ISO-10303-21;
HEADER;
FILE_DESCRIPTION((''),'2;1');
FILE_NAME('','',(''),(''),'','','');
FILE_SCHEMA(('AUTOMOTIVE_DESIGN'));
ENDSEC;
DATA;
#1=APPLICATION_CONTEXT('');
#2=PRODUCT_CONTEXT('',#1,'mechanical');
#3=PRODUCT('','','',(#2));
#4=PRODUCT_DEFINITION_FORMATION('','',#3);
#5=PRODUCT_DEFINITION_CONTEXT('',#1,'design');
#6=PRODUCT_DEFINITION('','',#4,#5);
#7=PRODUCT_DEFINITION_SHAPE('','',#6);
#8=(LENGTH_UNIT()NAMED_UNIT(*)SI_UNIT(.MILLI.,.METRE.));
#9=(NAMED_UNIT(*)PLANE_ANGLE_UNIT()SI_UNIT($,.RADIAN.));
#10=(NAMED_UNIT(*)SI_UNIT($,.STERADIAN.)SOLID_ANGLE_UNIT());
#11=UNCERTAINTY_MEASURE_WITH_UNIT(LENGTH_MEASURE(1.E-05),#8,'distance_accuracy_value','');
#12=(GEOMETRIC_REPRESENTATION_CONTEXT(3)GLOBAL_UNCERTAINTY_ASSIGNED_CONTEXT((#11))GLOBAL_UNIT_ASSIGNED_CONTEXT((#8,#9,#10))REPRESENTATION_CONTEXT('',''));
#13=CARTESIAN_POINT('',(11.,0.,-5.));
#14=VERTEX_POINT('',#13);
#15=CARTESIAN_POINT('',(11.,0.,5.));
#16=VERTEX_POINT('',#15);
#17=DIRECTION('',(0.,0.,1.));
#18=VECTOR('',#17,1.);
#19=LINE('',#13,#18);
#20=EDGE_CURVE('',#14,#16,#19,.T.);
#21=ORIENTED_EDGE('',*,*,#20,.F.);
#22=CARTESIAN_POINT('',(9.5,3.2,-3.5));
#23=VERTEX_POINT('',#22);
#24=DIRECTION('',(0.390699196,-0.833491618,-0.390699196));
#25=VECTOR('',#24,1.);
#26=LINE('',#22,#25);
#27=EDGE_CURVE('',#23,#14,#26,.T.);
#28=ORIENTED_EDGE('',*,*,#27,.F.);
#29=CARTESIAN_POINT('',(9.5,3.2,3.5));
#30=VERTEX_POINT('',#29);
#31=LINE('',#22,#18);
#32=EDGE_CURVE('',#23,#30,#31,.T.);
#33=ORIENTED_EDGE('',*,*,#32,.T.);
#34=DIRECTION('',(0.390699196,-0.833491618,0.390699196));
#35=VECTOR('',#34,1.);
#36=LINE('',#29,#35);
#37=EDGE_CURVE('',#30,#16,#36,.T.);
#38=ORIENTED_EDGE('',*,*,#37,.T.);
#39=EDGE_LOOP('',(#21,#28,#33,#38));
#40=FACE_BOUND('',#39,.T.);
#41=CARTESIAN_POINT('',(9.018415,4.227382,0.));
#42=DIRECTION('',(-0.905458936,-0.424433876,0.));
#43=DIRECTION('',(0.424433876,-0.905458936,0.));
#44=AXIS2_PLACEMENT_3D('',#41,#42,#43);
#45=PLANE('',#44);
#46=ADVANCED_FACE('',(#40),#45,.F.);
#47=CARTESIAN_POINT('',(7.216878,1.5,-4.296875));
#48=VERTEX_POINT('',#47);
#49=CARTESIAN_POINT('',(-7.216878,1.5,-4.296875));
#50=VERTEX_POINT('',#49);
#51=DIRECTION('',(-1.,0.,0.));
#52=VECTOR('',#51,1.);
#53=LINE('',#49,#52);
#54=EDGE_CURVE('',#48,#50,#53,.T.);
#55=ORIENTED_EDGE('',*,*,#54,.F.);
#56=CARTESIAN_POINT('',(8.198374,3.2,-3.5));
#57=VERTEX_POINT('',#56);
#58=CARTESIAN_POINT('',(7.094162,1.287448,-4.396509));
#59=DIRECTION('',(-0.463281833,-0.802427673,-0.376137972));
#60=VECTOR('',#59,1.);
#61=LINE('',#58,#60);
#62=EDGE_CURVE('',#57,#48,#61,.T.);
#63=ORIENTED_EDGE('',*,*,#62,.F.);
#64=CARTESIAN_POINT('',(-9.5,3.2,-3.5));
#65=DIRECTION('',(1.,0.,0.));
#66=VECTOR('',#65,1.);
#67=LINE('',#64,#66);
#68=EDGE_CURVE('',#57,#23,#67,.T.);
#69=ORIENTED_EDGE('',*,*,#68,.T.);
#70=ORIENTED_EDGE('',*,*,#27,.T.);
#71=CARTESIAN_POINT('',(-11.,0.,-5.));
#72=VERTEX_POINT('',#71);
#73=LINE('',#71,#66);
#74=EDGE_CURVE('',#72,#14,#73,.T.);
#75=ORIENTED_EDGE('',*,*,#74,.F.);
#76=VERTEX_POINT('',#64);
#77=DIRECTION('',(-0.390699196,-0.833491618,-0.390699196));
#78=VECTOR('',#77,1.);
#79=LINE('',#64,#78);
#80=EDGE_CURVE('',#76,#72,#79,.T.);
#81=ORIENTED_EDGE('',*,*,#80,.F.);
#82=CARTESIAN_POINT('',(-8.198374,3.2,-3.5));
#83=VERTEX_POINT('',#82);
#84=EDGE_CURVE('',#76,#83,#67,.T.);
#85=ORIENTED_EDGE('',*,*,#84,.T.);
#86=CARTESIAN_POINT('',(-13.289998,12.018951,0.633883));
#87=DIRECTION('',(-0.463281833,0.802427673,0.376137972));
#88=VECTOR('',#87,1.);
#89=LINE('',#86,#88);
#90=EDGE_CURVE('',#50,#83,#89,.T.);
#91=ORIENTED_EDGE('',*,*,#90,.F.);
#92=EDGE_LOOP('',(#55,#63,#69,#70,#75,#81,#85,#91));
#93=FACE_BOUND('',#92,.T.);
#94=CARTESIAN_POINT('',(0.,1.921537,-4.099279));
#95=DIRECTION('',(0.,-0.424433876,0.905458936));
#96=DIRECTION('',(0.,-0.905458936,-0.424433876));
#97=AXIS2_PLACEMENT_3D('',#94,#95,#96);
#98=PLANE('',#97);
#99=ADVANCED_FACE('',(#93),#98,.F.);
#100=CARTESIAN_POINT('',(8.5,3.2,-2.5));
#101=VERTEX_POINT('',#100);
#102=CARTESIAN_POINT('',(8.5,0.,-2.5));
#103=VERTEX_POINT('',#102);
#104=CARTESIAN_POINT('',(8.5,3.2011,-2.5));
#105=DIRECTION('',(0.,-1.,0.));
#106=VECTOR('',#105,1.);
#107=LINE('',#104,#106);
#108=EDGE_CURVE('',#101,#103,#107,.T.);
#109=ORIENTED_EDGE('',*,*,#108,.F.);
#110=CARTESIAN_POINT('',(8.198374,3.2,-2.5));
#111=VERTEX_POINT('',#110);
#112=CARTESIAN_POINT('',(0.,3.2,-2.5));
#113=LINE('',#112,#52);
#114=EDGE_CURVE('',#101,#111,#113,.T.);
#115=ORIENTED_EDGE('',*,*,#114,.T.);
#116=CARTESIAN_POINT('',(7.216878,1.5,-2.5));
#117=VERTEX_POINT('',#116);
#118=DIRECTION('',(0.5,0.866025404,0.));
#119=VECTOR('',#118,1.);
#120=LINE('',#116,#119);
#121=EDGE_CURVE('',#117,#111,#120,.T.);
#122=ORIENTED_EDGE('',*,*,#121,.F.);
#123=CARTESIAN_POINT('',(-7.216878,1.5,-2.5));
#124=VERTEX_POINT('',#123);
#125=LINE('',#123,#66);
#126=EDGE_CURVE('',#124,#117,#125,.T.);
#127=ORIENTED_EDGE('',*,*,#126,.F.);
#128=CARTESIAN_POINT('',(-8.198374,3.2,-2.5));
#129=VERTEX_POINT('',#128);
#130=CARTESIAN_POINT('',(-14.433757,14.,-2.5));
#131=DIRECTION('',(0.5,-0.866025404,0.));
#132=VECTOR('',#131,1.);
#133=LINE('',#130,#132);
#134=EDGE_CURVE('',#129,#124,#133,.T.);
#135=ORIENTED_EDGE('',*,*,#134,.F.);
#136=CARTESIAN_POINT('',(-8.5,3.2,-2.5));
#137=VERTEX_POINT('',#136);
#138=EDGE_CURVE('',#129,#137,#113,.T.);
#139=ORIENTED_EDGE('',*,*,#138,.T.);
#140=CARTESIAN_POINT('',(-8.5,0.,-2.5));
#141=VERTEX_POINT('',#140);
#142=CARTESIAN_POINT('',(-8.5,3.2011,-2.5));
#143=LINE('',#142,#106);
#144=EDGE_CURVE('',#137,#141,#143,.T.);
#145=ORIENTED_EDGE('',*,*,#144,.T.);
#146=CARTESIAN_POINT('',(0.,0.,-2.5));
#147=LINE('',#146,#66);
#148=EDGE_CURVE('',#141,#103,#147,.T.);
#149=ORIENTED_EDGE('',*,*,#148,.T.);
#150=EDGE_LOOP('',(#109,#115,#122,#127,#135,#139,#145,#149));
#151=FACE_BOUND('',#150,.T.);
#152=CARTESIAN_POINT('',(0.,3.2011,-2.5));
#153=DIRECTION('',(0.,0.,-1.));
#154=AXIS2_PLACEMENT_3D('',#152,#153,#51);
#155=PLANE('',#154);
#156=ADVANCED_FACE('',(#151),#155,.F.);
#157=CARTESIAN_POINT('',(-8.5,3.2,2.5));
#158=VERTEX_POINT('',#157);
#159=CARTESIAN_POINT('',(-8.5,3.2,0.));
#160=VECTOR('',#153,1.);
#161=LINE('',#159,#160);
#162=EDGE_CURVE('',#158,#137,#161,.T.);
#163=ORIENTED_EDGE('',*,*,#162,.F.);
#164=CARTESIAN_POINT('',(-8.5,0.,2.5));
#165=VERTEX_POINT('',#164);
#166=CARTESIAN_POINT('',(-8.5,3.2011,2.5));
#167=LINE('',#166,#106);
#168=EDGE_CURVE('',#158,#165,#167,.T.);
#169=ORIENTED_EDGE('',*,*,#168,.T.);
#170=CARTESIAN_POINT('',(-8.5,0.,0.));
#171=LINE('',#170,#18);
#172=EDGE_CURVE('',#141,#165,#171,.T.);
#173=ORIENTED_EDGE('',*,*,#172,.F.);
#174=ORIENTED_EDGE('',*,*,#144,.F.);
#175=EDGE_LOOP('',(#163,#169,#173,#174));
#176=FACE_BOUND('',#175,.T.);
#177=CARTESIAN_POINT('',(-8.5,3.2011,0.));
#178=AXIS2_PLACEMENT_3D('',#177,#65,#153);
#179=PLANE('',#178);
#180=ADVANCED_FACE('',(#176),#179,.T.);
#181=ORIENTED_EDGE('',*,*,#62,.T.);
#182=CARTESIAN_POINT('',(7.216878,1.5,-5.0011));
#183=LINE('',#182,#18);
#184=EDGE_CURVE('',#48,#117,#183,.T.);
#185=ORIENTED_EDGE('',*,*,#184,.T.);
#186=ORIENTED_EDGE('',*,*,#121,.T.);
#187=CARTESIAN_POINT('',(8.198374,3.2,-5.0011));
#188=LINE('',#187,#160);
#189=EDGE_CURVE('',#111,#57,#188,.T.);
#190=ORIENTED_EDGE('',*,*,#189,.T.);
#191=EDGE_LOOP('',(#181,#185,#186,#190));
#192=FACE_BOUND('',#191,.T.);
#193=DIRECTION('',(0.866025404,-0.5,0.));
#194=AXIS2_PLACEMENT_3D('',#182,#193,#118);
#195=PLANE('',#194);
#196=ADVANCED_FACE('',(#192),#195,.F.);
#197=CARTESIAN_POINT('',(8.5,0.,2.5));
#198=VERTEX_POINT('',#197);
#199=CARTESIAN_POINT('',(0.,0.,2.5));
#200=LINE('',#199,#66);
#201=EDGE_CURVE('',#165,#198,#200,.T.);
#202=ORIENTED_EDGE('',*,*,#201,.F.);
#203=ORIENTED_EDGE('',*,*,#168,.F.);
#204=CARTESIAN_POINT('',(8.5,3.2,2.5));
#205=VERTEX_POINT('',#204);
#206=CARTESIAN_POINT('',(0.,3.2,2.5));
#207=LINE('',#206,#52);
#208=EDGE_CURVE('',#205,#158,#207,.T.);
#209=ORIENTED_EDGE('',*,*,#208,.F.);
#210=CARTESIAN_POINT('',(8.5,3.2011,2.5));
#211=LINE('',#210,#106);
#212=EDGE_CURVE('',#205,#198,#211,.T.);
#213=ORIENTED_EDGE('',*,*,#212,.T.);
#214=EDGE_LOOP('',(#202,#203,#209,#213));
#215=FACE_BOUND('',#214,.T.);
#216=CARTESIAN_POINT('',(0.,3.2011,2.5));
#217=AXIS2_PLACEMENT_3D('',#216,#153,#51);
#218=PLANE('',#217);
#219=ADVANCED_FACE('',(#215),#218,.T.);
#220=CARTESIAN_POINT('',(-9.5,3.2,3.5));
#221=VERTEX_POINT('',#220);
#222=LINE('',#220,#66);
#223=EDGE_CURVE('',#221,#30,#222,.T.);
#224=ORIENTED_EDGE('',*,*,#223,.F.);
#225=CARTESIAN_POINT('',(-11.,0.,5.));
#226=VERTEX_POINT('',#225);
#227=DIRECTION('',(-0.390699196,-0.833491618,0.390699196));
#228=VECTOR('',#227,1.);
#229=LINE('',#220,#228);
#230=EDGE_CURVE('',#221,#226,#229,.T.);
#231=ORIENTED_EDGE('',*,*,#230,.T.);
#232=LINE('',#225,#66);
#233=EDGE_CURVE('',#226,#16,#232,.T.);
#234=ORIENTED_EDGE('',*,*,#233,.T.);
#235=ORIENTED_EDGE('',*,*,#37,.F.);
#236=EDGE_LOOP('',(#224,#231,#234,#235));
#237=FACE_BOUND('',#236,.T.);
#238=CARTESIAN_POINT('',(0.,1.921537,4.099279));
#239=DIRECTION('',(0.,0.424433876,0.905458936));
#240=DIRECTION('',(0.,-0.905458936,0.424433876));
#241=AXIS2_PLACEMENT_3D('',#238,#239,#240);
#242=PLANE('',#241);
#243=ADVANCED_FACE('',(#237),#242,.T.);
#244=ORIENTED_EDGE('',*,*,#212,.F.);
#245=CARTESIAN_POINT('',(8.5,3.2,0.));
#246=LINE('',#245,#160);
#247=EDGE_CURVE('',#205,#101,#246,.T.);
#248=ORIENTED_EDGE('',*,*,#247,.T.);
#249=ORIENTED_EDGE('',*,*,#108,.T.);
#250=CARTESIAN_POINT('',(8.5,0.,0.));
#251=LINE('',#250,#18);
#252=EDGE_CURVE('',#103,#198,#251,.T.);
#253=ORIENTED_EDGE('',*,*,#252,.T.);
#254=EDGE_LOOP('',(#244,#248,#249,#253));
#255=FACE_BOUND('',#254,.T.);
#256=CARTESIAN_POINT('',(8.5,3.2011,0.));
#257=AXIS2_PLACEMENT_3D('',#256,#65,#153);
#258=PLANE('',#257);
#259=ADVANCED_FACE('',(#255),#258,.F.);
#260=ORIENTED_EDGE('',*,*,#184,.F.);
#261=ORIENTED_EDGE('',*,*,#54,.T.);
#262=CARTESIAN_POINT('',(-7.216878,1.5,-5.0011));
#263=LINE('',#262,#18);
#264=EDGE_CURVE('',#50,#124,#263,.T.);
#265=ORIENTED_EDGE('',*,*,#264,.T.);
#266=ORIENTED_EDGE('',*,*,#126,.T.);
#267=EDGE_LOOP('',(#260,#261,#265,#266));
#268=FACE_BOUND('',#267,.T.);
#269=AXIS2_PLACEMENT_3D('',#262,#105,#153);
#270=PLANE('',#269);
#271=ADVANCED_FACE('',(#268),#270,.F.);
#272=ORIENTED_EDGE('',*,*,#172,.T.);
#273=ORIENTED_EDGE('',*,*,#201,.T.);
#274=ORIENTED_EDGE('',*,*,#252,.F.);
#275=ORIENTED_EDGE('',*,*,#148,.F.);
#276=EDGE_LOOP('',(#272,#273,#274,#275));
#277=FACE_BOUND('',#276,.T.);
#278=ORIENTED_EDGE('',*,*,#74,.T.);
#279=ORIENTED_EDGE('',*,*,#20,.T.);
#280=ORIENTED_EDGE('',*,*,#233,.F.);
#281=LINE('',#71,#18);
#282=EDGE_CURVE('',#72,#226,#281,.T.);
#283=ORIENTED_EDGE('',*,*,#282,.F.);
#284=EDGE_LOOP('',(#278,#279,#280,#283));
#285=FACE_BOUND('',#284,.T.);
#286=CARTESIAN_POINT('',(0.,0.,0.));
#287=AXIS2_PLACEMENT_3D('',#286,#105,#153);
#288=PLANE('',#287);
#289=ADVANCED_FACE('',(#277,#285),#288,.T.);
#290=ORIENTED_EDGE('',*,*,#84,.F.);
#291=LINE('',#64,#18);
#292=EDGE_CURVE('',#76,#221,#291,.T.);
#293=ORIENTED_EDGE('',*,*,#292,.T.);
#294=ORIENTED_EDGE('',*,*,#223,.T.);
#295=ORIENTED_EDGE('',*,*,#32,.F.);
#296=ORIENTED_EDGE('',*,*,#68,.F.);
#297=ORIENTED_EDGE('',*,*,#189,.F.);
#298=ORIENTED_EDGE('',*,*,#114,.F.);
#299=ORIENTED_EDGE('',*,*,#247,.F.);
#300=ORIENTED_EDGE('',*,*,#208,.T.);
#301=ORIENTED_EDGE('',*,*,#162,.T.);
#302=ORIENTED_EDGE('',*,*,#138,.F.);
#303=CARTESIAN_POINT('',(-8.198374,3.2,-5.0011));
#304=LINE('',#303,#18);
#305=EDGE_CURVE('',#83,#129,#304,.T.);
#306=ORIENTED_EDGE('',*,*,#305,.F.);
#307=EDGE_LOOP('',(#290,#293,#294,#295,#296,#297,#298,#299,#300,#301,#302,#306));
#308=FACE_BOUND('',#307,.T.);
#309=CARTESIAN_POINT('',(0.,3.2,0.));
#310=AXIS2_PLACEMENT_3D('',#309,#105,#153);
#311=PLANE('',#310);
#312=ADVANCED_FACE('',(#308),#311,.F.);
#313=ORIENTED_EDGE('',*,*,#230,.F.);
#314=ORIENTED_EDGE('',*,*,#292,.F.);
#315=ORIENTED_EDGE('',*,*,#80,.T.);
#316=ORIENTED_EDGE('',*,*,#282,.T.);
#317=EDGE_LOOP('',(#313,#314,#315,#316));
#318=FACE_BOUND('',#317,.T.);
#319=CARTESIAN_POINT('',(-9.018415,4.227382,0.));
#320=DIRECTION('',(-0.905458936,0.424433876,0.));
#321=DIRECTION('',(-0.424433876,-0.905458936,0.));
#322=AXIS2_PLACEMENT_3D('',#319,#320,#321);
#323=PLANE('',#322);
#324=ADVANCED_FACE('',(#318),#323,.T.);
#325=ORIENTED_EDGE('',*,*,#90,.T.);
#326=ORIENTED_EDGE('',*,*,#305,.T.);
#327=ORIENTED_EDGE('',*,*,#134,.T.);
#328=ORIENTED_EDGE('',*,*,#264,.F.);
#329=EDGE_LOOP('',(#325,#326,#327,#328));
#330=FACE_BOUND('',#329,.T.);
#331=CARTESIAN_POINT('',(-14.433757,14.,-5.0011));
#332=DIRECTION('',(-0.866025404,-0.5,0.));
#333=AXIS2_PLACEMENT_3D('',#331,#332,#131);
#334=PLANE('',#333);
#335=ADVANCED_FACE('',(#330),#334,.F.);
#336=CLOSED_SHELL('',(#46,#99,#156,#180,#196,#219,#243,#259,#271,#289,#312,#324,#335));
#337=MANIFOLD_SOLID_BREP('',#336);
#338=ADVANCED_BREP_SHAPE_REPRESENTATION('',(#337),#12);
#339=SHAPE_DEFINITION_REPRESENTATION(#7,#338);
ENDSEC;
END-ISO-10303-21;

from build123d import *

# Parameters (mm, degrees)
CROQUIS2_W            = 19
CROQUIS2_H            = 7
CROQUIS1_W            = 22
CROQUIS1_H            = 10
CORTAR_EXTRUIR1_REACH = 5.2
CROQUIS1_3_W          = 17
CROQUIS1_3_H          = 5
CORTAR_EXTRUIR2_REACH = 7


with BuildPart() as part:
    # Croquis2 → Recubrir1 section 0
    with BuildSketch(Plane(origin=(0, 3.2, 0), x_dir=(1, 0, 0), z_dir=(0, 1, 0))):
        Rectangle(CROQUIS2_W, CROQUIS2_H)
    # Croquis1 → Recubrir1 section 1
    with BuildSketch(Plane(origin=(0, 0, 0), x_dir=(1, 0, 0), z_dir=(0, 1, 0))):
        Rectangle(CROQUIS1_W, CROQUIS1_H)
    loft()

    # Croquis1<3> → Cortar-Extruir1 (cut, up to next)
    with BuildSketch(Plane(origin=(0, 0, 0), x_dir=(1, 0, 0), z_dir=(0, 1, 0)), mode=Mode.PRIVATE) as cortar_extruir1_sk1:
        Rectangle(CROQUIS1_3_W, CROQUIS1_3_H)
    cortar_extruir1_tool1 = extrude(cortar_extruir1_sk1.sketch, amount=CORTAR_EXTRUIR1_REACH, mode=Mode.PRIVATE) & part.part
    add(cortar_extruir1_tool1.solids().sort_by_distance((0, 0, 0))[0], mode=Mode.SUBTRACT)

    # Croquis4 → Cortar-Extruir2 (cut, up to next)
    with BuildSketch(Plane.XY, mode=Mode.PRIVATE) as cortar_extruir2_sk1:
        Polygon((7.216878365, 1.5), (14.43375673, 14), (7.216878365, 26.5), (-7.216878365, 26.5), (-14.43375673, 14), (-7.216878365, 1.5), align=None)
    cortar_extruir2_tool1 = extrude(cortar_extruir2_sk1.sketch, amount=-CORTAR_EXTRUIR2_REACH, mode=Mode.PRIVATE) & part.part
    add(cortar_extruir2_tool1.solids().sort_by_distance((0, 14, 0))[0], mode=Mode.SUBTRACT)


solid = part.part
